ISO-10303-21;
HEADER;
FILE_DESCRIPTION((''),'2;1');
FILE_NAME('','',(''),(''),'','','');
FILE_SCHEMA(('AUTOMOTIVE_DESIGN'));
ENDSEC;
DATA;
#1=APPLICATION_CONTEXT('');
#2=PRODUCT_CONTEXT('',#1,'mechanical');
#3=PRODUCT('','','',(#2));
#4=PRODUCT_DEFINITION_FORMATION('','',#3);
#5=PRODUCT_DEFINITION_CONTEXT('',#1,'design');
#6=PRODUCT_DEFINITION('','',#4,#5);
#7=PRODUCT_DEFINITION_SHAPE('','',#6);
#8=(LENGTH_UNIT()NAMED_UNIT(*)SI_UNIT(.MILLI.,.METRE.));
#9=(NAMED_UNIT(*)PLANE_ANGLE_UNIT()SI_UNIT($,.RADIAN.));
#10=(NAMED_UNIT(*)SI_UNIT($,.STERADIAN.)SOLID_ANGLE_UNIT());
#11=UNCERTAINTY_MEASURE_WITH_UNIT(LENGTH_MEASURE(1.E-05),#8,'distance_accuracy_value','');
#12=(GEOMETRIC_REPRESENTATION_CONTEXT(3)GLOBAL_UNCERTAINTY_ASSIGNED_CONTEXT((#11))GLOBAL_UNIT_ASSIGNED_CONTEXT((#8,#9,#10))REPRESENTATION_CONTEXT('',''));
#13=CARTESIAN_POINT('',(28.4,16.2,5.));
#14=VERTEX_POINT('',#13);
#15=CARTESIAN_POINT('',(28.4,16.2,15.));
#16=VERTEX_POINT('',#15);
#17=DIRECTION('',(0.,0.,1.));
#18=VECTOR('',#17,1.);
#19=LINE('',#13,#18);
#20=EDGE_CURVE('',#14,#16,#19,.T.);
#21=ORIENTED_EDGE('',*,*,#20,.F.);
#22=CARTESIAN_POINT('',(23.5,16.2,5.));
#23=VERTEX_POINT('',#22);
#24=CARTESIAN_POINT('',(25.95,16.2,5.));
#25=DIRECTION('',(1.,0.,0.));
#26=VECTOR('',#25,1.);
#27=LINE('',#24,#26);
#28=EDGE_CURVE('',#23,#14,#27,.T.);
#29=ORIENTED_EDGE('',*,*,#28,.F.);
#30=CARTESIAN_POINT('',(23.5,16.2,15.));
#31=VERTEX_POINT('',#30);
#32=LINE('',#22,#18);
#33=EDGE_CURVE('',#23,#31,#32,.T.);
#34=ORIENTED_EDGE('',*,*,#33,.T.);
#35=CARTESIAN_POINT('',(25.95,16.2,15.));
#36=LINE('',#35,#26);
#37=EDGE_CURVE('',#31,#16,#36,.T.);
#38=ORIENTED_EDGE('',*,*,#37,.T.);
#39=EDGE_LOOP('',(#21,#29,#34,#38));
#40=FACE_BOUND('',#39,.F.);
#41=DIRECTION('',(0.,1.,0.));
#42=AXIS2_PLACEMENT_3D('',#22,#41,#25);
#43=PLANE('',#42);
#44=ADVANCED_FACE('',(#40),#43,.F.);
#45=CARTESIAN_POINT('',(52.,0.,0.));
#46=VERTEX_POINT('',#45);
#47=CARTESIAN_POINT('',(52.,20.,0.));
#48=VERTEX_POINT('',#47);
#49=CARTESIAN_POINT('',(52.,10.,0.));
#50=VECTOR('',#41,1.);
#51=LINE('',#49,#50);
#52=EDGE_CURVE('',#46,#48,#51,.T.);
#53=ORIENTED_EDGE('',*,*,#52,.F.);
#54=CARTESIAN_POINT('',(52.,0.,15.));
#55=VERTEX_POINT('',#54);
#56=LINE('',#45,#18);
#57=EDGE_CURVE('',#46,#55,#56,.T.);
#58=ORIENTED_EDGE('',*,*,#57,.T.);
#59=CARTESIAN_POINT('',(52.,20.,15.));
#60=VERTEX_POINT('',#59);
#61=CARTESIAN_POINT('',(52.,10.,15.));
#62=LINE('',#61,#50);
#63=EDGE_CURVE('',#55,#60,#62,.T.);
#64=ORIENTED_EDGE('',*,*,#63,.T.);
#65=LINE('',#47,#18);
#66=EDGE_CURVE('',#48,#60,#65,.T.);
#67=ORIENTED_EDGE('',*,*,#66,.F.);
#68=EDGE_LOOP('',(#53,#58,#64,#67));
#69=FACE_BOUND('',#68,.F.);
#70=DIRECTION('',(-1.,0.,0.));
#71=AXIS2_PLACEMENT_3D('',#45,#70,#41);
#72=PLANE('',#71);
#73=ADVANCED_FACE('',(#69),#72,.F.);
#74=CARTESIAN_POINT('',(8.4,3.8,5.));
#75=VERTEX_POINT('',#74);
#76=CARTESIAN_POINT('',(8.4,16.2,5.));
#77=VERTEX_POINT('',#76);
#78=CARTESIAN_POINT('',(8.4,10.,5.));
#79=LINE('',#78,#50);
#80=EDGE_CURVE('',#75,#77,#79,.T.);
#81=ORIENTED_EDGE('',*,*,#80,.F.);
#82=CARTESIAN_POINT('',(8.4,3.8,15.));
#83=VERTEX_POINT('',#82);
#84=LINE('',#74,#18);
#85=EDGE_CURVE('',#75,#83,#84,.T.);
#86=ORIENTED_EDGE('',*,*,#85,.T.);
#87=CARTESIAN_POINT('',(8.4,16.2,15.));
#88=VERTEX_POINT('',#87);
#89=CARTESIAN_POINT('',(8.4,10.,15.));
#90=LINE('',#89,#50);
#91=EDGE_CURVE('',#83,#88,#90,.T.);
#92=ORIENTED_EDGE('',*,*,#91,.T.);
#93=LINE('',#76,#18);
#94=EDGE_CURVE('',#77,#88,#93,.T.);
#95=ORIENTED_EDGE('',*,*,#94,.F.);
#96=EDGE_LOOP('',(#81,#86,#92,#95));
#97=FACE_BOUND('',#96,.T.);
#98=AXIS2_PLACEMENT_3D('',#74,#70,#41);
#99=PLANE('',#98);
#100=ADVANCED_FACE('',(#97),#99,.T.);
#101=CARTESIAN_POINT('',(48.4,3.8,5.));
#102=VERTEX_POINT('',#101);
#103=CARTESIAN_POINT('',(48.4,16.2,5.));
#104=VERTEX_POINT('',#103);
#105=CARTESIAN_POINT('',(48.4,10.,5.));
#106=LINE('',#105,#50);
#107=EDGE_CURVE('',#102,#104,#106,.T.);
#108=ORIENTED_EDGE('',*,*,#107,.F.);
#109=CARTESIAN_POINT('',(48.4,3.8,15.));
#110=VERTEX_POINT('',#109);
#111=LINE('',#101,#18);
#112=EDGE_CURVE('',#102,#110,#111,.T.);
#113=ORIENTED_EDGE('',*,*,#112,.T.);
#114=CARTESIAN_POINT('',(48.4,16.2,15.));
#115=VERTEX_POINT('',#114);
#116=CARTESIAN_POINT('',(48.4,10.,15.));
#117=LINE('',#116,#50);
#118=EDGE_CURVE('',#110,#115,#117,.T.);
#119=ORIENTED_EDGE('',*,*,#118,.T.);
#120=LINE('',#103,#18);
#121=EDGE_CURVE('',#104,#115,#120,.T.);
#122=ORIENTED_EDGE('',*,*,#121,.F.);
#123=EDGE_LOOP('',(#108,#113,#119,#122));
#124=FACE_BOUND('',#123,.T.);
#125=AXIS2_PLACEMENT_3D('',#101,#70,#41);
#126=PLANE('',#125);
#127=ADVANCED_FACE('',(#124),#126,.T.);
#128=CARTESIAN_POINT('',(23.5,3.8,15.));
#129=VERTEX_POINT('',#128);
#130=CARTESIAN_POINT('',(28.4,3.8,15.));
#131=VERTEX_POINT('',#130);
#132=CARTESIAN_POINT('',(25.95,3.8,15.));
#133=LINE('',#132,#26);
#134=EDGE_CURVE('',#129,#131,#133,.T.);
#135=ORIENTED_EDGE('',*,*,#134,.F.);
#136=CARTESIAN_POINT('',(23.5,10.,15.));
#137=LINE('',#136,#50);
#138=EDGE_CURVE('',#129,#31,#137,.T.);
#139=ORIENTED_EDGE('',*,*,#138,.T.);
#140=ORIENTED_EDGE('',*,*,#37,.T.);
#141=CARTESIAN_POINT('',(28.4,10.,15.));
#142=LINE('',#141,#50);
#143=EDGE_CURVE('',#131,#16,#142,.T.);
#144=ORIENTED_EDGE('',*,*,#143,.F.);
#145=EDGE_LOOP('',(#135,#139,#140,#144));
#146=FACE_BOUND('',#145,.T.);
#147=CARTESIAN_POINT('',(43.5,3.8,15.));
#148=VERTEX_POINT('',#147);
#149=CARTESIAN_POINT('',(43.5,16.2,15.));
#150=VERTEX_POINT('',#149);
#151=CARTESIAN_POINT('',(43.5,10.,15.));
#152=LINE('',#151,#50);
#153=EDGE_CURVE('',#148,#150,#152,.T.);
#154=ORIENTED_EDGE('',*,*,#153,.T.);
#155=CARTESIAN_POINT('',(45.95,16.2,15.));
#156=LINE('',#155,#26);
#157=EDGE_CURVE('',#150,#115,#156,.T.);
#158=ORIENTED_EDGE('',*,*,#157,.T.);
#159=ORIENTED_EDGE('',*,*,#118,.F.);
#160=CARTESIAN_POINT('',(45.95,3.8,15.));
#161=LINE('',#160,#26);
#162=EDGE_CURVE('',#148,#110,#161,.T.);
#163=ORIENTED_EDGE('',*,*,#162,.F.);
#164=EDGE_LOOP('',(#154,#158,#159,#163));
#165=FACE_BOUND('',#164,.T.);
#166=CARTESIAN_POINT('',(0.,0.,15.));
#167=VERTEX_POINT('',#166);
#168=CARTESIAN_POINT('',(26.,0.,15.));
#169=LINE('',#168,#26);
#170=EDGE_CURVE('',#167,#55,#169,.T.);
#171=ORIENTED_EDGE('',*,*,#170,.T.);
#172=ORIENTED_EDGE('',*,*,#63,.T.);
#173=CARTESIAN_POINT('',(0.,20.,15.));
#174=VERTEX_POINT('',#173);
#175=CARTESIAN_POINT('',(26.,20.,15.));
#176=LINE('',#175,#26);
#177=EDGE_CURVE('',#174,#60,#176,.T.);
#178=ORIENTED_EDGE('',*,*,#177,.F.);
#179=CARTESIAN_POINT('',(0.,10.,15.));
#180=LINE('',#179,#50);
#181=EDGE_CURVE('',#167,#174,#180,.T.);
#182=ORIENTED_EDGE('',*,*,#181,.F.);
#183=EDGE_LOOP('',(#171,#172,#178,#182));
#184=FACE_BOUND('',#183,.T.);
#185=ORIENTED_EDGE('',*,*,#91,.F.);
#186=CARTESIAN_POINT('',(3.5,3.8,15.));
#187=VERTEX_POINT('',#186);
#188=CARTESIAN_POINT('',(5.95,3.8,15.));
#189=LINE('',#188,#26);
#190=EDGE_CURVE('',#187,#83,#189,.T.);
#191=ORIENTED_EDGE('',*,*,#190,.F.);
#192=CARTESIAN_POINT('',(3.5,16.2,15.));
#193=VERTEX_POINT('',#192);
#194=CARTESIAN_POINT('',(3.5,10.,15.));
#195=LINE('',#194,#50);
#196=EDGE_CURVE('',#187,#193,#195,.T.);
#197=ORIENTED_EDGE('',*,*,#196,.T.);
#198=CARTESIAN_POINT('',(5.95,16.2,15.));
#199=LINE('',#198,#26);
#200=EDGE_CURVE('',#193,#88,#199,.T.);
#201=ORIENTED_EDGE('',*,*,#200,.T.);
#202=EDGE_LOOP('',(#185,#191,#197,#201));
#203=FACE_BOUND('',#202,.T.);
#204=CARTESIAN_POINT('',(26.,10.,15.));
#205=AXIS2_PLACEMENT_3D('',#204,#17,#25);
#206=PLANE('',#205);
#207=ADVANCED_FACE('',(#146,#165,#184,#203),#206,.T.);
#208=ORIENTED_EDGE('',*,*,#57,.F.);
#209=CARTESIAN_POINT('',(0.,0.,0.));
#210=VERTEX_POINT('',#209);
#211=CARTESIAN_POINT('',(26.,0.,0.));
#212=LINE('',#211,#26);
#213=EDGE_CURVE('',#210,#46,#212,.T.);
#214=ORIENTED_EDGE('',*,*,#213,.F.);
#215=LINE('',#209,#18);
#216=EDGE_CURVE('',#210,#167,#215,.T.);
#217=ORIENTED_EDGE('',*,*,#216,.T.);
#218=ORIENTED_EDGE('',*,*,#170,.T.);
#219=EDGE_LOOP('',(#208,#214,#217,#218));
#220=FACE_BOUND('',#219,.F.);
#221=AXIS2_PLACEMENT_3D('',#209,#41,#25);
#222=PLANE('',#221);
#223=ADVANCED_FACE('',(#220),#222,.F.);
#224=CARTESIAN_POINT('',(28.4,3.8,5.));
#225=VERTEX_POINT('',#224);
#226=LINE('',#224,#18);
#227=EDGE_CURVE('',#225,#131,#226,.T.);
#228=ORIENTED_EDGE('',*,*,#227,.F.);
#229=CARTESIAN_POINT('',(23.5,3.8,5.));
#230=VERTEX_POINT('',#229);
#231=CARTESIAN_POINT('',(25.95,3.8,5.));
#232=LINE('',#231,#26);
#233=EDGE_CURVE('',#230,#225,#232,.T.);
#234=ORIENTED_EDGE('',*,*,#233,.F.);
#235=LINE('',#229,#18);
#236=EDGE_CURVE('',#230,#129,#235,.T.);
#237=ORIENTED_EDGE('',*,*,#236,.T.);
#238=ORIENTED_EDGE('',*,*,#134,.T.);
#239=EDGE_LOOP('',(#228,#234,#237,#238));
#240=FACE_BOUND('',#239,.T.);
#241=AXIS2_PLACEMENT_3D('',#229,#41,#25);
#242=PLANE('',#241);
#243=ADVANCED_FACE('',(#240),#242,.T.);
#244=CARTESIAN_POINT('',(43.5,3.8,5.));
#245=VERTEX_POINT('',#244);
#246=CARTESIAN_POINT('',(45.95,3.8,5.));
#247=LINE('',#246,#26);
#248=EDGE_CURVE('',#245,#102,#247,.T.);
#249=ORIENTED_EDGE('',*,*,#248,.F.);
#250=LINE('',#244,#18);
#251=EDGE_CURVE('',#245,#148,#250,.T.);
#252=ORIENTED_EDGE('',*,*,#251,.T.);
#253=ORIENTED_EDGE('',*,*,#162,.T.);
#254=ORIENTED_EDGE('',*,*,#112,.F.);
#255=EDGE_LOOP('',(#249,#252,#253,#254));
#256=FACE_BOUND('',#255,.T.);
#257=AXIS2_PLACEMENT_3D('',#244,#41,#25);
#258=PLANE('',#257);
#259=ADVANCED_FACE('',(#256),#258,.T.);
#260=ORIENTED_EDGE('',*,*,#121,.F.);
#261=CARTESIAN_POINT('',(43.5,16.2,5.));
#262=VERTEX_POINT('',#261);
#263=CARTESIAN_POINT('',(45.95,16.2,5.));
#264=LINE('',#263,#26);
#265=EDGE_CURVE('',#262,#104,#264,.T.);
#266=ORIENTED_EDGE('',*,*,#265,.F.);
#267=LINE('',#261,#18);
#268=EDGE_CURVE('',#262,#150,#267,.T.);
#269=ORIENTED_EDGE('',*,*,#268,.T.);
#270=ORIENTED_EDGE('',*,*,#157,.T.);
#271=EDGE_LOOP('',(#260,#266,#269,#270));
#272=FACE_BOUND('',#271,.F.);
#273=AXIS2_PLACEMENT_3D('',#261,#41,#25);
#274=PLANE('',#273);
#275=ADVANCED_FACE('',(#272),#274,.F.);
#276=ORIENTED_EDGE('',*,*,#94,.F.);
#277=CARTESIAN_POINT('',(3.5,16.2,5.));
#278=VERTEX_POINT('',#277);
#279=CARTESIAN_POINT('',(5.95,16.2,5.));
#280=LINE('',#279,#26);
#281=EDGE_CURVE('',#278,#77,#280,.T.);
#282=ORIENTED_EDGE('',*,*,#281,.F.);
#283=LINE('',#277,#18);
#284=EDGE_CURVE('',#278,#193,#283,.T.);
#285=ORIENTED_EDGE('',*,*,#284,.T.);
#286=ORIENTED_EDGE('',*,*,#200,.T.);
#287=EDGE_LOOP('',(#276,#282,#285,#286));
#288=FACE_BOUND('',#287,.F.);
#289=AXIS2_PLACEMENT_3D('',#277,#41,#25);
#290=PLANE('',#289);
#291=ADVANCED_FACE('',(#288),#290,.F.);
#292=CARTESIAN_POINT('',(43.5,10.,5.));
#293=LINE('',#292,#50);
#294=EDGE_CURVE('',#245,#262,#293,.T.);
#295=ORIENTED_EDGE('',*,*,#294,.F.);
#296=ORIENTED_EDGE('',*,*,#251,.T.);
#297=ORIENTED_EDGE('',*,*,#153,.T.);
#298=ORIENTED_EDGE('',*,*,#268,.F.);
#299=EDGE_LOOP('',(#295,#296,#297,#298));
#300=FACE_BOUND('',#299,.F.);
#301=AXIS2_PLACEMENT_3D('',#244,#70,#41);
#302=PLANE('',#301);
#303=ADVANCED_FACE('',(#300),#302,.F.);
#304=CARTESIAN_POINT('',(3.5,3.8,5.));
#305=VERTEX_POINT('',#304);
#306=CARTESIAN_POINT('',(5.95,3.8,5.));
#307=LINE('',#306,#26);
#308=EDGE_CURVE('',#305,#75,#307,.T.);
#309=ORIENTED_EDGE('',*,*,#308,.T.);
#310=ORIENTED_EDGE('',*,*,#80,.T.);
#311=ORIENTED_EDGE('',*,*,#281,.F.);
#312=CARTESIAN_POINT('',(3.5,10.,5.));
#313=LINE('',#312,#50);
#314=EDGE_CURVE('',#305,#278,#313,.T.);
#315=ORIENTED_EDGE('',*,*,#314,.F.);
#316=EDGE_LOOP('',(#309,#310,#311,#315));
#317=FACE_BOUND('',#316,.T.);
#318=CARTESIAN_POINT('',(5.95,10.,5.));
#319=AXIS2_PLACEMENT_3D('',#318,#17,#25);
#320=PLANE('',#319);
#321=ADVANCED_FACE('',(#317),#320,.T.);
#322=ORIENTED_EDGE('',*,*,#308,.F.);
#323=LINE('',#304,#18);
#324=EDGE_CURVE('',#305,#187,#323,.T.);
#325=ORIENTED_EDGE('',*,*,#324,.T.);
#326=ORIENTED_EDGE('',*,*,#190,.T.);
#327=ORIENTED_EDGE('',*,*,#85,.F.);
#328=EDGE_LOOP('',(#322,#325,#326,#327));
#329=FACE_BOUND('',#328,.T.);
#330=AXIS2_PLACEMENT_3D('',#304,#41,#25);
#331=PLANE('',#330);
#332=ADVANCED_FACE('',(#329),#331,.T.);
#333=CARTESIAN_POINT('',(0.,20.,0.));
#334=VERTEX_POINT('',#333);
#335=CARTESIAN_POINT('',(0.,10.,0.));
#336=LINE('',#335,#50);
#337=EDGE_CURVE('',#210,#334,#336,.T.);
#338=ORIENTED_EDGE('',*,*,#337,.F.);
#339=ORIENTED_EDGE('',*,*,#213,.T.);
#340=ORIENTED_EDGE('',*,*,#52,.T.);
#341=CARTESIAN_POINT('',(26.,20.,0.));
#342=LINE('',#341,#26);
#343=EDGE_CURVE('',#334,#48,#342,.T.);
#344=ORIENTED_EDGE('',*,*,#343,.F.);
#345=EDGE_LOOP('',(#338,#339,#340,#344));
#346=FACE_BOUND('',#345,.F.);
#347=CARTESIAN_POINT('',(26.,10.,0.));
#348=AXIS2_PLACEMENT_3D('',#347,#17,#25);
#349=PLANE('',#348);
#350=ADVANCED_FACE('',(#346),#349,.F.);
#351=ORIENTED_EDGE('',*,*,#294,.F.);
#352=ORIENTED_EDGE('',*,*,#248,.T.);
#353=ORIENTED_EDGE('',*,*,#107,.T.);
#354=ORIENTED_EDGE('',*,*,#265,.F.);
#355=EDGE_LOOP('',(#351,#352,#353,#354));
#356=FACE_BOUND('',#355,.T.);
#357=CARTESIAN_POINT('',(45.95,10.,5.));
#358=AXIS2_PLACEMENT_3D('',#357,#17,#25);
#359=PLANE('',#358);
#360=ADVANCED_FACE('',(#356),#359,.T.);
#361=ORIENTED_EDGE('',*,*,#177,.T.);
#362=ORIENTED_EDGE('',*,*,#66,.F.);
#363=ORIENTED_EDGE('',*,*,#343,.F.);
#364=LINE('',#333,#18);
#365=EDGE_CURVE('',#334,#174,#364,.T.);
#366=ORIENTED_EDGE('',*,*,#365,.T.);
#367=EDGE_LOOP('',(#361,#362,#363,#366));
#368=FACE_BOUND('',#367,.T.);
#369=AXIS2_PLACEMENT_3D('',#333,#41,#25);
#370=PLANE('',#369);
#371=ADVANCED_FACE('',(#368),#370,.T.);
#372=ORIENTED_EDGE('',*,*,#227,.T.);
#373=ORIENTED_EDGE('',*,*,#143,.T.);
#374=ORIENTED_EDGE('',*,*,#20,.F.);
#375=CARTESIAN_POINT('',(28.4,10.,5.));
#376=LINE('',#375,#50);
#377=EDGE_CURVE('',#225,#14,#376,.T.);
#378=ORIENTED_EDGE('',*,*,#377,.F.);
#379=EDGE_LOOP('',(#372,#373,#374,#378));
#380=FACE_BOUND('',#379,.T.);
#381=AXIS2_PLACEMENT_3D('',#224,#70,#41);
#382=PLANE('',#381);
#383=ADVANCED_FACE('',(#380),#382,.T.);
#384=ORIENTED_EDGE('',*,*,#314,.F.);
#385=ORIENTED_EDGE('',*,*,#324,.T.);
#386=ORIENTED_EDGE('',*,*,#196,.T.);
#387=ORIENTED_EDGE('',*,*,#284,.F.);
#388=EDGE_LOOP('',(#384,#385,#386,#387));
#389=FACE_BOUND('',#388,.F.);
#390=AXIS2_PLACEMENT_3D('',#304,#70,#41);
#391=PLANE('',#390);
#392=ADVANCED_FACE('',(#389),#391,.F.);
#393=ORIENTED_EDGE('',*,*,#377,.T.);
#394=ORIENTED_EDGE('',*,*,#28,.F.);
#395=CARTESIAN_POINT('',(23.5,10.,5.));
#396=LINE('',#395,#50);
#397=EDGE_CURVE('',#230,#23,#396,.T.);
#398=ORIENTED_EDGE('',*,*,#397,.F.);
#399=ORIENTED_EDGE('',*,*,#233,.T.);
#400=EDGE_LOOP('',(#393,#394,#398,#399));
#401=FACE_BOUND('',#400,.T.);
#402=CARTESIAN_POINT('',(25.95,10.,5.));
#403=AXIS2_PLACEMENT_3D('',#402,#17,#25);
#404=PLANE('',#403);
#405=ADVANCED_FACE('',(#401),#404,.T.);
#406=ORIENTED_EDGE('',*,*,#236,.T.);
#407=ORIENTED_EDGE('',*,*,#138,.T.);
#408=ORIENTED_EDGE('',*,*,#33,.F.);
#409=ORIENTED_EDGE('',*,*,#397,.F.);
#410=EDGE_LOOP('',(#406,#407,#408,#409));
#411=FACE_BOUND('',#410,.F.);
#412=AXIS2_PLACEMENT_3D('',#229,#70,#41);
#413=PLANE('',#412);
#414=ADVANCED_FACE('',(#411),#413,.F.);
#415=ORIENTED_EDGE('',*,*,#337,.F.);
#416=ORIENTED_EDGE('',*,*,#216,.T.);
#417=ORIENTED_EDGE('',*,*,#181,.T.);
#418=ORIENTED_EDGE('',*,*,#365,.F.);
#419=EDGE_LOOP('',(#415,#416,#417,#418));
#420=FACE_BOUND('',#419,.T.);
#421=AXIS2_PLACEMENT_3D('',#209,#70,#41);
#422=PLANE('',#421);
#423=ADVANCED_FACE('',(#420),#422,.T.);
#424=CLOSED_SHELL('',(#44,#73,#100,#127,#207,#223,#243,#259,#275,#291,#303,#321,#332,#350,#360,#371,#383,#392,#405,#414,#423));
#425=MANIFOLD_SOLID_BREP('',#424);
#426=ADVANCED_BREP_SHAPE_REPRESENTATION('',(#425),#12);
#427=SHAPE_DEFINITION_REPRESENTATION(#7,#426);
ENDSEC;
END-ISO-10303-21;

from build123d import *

# Parameters (mm, degrees)
BOX003_W     = 4.9
BOX003_H     = 12.4
BOX003_DEPTH = 10
BOX002_W     = 4.9
BOX002_H     = 12.4
BOX002_DEPTH = 10
BOX001_W     = 4.9
BOX001_H     = 12.4
BOX001_DEPTH = 10
BOX_W        = 52
BOX_H        = 20
BOX_DEPTH    = 15


with BuildPart() as cubo003:
    # Box003 → Box003 (new body)
    with BuildSketch(Plane(origin=(43.5, 3.8, 5), x_dir=(1, 0, 0), z_dir=(0, 0, 1))):
        with Locations((2.45, 6.2)):
            Rectangle(BOX003_W, BOX003_H)
    extrude(amount=BOX003_DEPTH)


with BuildPart() as cubo002:
    # Box002 → Box002 (new body)
    with BuildSketch(Plane(origin=(23.5, 3.8, 5), x_dir=(1, 0, 0), z_dir=(0, 0, 1))):
        with Locations((2.45, 6.2)):
            Rectangle(BOX002_W, BOX002_H)
    extrude(amount=BOX002_DEPTH)


with BuildPart() as cubo001:
    # Box001 → Box001 (new body)
    with BuildSketch(Plane(origin=(3.5, 3.8, 5), x_dir=(1, 0, 0), z_dir=(0, 0, 1))):
        with Locations((2.45, 6.2)):
            Rectangle(BOX001_W, BOX001_H)
    extrude(amount=BOX001_DEPTH)


with BuildPart() as cut002:
    # Box → Box (new body)
    with BuildSketch(Plane.XY):
        with Locations((26, 10)):
            Rectangle(BOX_W, BOX_H)
    extrude(amount=BOX_DEPTH)

    # Cut: cut Cubo001
    add(cubo001.part, mode=Mode.SUBTRACT)

    # Cut001: cut Cubo002
    add(cubo002.part, mode=Mode.SUBTRACT)

    # Cut002: cut Cubo003
    add(cubo003.part, mode=Mode.SUBTRACT)


solid = cut002.part
